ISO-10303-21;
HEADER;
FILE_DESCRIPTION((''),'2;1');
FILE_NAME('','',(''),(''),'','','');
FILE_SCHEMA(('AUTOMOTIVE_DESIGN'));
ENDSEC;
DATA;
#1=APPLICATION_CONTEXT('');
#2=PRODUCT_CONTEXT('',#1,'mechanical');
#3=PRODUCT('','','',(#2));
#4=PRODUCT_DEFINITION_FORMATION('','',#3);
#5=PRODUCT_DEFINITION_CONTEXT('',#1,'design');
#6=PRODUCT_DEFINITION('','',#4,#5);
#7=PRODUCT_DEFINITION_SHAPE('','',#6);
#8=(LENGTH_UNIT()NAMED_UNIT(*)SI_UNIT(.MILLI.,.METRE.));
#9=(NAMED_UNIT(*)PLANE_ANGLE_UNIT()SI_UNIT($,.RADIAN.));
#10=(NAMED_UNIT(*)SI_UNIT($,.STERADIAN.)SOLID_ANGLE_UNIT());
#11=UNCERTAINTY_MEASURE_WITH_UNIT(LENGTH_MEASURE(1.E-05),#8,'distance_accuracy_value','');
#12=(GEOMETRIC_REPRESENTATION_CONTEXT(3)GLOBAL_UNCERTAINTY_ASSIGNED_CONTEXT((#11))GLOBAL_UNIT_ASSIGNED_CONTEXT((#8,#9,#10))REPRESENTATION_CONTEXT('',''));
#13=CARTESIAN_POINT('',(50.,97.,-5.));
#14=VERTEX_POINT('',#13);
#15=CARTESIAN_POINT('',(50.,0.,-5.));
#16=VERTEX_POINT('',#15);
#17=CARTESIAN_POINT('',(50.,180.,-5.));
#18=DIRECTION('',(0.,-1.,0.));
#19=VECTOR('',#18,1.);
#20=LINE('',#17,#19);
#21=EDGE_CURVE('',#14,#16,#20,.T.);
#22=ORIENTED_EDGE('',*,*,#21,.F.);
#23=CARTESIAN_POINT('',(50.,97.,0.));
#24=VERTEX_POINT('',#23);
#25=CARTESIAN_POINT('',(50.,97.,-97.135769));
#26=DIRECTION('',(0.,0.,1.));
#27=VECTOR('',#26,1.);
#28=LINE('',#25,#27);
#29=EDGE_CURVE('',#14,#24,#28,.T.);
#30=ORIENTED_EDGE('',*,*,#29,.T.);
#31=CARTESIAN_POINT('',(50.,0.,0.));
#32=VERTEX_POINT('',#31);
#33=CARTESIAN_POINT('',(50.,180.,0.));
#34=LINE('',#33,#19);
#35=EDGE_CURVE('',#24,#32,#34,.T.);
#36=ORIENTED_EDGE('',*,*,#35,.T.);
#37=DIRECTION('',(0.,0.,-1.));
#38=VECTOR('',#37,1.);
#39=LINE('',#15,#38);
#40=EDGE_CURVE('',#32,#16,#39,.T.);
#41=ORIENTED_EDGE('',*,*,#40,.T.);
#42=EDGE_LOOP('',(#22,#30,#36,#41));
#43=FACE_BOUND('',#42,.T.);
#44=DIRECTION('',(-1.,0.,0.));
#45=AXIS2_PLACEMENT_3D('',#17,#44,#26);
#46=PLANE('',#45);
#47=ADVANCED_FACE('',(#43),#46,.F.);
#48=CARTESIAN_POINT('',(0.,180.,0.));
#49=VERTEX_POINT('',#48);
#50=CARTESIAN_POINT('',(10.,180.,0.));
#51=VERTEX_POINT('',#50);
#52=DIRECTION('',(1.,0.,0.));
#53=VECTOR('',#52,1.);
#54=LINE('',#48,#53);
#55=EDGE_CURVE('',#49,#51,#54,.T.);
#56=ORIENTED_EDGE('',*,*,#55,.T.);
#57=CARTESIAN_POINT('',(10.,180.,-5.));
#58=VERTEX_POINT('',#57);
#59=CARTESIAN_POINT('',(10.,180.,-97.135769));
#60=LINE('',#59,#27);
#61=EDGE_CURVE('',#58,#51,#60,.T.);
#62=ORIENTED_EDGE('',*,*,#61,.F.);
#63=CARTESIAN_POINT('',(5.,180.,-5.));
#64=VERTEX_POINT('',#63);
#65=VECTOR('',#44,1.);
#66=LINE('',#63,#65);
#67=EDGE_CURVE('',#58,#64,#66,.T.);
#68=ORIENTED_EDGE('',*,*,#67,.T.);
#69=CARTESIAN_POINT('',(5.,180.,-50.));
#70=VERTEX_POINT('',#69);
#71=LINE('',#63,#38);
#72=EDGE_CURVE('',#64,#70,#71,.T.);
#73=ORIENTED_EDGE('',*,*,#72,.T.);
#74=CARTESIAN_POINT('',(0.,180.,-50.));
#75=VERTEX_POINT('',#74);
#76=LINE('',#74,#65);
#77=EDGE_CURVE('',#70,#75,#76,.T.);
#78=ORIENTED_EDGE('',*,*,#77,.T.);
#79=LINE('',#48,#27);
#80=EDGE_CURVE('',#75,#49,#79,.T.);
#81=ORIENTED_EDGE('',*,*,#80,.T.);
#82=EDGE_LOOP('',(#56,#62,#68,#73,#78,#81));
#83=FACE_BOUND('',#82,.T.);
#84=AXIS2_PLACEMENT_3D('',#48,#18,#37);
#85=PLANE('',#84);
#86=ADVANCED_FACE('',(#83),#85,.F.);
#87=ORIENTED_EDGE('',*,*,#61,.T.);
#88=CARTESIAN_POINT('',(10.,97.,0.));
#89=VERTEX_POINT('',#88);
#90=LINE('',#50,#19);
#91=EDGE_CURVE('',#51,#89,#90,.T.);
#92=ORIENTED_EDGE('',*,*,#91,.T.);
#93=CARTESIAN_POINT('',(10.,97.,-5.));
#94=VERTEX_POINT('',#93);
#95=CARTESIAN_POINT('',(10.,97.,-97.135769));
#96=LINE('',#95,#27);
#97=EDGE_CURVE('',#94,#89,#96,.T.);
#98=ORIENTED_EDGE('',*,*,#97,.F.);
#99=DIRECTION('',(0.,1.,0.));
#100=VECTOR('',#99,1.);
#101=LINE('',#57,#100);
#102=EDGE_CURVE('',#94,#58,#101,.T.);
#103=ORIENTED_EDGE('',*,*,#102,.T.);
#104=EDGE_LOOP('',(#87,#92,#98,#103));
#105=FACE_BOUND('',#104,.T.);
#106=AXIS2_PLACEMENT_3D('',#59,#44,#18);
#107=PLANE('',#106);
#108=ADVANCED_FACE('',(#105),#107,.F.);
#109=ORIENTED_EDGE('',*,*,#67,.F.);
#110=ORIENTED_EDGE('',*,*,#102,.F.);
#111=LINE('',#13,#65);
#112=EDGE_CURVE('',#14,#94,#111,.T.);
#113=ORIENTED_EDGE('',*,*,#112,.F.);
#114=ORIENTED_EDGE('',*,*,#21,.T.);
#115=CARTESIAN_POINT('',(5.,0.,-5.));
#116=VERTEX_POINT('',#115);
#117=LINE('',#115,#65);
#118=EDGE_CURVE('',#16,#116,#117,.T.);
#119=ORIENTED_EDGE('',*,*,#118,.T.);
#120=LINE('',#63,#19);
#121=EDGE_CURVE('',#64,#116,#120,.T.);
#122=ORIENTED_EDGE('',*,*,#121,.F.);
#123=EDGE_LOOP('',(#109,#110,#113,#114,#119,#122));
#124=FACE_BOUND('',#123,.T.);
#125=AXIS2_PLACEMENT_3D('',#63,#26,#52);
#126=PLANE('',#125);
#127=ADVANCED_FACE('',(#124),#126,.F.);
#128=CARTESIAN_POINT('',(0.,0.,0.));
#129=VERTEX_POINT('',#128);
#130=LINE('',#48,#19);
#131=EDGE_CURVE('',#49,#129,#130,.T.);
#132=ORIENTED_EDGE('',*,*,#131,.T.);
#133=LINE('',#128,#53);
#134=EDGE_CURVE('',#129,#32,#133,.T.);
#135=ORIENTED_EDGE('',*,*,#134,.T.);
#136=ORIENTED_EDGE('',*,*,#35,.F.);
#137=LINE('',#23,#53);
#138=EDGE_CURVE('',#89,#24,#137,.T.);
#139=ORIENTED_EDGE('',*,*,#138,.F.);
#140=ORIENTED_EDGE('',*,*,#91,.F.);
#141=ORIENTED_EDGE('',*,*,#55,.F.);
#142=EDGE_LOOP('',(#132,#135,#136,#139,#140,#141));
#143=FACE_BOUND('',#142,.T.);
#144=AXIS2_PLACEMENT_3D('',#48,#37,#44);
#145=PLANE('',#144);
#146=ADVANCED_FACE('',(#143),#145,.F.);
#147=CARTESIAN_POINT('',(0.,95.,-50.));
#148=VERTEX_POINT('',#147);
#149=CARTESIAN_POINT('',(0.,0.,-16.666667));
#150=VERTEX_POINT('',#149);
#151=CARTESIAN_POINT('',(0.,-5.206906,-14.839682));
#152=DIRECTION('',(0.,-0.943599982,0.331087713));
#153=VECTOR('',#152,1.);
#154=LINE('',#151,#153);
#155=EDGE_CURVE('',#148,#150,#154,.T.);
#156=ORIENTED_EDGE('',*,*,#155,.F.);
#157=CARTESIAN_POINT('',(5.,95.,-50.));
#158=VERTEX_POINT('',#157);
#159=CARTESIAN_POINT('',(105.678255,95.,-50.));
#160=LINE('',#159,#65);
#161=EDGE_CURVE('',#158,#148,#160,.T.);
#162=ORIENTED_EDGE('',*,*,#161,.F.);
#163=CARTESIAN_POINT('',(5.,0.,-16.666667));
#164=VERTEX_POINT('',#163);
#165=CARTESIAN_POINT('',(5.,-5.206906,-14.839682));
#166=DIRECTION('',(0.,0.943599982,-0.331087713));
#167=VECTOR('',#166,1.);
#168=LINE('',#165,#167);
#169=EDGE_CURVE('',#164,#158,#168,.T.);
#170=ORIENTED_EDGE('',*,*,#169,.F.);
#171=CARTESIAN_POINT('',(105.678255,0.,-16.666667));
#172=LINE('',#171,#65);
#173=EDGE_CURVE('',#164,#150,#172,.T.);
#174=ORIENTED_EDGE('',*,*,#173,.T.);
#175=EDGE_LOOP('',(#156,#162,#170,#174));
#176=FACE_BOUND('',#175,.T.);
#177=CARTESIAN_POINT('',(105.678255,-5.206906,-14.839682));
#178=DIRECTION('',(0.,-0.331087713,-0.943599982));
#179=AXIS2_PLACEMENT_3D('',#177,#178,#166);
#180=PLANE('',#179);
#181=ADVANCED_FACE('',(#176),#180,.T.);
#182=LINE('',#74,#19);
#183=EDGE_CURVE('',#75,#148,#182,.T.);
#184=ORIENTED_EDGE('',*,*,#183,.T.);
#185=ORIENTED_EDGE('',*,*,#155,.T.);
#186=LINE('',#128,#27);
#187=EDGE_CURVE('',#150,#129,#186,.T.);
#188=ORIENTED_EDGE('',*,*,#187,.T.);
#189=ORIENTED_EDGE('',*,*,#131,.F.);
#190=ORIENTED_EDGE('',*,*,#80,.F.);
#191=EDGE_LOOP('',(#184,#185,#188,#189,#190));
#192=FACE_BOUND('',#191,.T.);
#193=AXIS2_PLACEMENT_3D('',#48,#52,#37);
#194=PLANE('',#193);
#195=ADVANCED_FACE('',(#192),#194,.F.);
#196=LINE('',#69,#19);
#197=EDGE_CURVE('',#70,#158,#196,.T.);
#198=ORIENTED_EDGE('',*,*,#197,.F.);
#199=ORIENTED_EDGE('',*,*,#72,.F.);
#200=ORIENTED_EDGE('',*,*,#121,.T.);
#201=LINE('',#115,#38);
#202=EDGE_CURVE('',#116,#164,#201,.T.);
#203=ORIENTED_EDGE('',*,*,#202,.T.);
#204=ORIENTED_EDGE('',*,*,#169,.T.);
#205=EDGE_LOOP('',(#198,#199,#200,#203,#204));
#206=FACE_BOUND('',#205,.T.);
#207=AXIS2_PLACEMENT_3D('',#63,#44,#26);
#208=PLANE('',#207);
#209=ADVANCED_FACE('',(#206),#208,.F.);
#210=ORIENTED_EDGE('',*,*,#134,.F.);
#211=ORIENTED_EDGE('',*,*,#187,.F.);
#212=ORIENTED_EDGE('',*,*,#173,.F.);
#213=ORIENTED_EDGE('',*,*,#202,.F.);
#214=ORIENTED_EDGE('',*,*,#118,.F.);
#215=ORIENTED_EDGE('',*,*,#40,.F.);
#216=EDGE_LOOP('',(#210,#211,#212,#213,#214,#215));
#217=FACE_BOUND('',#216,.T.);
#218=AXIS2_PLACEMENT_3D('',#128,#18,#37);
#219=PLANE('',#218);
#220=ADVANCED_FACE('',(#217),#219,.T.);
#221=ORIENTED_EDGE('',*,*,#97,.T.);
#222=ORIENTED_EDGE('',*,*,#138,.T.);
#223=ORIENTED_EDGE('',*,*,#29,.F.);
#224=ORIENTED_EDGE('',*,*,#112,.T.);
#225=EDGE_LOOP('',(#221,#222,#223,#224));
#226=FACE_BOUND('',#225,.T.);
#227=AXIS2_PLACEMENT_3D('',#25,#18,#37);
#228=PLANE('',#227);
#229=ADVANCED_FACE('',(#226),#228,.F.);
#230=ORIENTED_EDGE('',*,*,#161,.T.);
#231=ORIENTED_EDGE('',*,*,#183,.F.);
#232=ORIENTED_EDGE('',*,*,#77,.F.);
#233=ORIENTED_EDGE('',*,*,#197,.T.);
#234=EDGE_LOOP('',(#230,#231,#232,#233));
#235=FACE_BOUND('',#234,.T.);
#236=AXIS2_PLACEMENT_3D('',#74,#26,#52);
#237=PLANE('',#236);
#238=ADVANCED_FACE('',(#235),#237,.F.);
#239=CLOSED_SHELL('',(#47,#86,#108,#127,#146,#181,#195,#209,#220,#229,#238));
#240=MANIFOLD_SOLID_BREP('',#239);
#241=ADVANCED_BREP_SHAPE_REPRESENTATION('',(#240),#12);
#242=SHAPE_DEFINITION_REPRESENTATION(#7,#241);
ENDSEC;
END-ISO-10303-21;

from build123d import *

# Parameters (mm, degrees)
SALIENTE_EXTRUIR1_DEPTH = 180
CORTAR_EXTRUIR1_DEPTH   = 5
CROQUIS3_W              = 40
CROQUIS3_H              = 83
CORTAR_EXTRUIR2_DEPTH   = 5


with BuildPart() as part:
    # Croquis1 → Saliente-Extruir1 (new body)
    with BuildSketch(Plane(origin=(0, 0, 0), x_dir=(1, 0, 0), z_dir=(0, 1, 0))):
        Polygon((0, 0), (0, 50), (5, 50), (5, 5), (50, 5), (50, 0), align=None)
    extrude(amount=SALIENTE_EXTRUIR1_DEPTH)

    # Croquis2 → Cortar-Extruir1 (cut)
    with BuildSketch(Plane.ZY):
        Polygon((-16.666666667, 0), (-50, 95), (-50, 0), align=None)
    extrude(amount=-CORTAR_EXTRUIR1_DEPTH, mode=Mode.SUBTRACT)

    # Croquis3 → Cortar-Extruir2 (cut)
    with BuildSketch(Plane.XY):
        with Locations((30, 138.5)):
            Rectangle(CROQUIS3_W, CROQUIS3_H)
    extrude(amount=-CORTAR_EXTRUIR2_DEPTH, mode=Mode.SUBTRACT)


solid = part.part
